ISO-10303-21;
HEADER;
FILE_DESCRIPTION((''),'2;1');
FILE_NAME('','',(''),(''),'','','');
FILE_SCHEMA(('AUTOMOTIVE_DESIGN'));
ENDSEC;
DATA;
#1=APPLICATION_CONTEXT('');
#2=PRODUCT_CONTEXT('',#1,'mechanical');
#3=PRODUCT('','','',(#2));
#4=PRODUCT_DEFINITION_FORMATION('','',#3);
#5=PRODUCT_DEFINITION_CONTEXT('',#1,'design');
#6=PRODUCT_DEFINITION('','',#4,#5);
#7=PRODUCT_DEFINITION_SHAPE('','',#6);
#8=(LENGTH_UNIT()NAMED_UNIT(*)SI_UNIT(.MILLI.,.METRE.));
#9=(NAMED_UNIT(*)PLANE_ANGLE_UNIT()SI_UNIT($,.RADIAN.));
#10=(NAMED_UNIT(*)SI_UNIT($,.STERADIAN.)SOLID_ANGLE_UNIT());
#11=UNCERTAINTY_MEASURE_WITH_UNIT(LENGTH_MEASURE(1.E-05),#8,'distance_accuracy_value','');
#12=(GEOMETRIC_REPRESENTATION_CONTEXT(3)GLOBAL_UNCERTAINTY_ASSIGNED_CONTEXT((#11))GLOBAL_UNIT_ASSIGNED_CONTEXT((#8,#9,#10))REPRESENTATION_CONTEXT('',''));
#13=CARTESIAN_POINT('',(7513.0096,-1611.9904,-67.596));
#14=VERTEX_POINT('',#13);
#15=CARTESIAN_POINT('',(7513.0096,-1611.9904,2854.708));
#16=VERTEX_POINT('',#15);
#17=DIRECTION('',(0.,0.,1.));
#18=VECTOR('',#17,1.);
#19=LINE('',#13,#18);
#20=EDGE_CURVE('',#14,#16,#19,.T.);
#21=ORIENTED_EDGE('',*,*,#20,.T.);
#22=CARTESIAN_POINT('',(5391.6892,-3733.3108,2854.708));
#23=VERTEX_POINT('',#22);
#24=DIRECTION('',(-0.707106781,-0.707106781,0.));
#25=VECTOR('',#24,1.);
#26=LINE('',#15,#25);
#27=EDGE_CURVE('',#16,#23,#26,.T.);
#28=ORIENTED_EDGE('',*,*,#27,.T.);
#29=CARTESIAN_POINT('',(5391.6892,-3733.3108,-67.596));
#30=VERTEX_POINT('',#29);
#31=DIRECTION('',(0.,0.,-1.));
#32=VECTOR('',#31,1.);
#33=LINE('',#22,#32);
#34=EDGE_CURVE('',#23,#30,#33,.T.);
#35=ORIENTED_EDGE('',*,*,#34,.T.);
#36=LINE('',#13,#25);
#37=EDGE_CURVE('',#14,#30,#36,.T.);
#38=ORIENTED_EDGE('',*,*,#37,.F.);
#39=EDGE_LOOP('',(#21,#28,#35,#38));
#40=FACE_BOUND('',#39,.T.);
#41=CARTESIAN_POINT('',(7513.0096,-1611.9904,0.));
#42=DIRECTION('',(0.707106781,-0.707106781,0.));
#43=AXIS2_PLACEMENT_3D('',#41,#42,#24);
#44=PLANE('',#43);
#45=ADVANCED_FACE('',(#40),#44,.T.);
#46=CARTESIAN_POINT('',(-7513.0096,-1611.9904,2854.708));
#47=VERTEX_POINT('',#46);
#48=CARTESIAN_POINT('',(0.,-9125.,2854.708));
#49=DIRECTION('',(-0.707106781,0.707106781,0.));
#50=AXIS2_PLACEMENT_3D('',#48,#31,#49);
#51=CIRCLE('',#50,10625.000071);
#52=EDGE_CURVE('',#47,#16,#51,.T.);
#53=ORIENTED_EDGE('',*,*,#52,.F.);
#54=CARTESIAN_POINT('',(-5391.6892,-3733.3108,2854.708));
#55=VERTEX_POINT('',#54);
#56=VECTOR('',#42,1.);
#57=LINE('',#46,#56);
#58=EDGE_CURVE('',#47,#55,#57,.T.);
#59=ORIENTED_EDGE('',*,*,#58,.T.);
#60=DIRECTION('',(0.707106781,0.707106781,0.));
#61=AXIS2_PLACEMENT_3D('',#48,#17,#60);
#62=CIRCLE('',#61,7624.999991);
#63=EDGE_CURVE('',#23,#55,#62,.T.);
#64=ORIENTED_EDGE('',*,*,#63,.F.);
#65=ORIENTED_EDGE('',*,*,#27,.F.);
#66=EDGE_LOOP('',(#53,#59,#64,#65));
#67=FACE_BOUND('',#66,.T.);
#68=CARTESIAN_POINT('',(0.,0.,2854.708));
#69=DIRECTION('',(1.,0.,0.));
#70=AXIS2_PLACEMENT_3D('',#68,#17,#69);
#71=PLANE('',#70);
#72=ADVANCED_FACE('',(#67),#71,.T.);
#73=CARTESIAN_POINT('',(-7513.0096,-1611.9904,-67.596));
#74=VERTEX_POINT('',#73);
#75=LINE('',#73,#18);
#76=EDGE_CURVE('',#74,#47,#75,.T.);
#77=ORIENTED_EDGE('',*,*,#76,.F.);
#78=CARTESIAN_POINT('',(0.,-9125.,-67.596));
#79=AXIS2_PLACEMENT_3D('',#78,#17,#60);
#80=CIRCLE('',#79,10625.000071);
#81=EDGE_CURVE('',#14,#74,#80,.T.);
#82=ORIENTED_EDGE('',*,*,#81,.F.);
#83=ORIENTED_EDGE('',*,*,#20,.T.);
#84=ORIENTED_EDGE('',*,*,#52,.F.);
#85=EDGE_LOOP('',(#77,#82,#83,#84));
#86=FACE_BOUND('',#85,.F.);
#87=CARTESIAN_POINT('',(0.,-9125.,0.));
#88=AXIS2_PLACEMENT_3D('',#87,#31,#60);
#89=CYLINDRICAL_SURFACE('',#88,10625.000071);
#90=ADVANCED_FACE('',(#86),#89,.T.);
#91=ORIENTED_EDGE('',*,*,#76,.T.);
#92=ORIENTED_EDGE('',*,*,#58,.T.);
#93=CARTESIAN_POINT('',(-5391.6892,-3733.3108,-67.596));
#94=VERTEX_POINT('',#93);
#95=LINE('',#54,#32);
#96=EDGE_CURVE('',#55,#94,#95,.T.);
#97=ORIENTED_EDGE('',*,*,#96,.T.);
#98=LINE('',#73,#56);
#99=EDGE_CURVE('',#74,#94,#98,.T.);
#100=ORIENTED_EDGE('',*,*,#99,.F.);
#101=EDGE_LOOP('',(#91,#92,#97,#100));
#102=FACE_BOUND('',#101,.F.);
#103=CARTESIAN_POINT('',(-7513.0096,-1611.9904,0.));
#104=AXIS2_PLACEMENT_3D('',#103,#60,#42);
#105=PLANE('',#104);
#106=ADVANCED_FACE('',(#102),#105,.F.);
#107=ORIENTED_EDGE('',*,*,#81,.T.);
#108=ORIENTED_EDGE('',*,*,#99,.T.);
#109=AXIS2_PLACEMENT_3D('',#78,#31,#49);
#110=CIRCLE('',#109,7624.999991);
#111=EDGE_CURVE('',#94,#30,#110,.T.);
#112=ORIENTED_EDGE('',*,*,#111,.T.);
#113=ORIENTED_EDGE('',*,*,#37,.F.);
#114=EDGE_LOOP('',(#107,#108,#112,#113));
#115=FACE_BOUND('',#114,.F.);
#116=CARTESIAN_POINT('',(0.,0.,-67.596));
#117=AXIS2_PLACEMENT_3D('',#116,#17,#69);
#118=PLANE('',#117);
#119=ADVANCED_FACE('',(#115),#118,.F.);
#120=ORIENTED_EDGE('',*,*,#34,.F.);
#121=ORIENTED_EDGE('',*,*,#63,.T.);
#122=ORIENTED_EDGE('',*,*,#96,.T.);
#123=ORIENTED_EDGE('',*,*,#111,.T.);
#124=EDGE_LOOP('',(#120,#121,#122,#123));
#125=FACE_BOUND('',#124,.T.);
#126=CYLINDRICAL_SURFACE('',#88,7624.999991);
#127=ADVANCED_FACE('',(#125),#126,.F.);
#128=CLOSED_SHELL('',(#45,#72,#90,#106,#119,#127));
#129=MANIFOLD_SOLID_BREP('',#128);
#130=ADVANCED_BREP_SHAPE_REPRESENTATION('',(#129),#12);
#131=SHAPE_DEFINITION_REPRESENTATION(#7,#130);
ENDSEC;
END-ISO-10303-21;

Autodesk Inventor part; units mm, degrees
ref_plane "YZ Plane" through (0, 0, 0) normal (1, 0, 0) x (0, 1, 0)
ref_plane "XZ Plane" through (0, 0, 0) normal (0, 1, 0) x (-1, 0, 0)
ref_plane "XY Plane" through (0, 0, 0) normal (0, 0, 1) x (1, 0, 0)
sketch "スケッチ1" plane through (0, 0, 0) normal (0, 0, 1) x (1, 0, 0)
  arc A0 (7513.0096, -1611.9904) -> (-7513.0096, -1611.9904) centre (0, -9125) ccw
  arc A1 (5391.6892, -3733.3108) -> (-5391.6892, -3733.3108) centre (0, -9125) ccw
  line L0 (0, -11250) -> (0, 3625) projected
  line L1 (0, 1500) -> (0, -1500)
  line L2 (-7513.0096, -1611.9904) -> (-5391.6892, -3733.3108)
  line L3 (7513.0096, -1611.9904) -> (5391.6892, -3733.3108)
  point P0 (0, 0)
  dimension "d0" = 3000
  dimension "d1" = 7625
  dimension "d2" = 90
extrude "押し出し1" add sketch "スケッチ1" along normal blind 2854.708 and the other way blind 67.596
properties part number "air_skidpad"
